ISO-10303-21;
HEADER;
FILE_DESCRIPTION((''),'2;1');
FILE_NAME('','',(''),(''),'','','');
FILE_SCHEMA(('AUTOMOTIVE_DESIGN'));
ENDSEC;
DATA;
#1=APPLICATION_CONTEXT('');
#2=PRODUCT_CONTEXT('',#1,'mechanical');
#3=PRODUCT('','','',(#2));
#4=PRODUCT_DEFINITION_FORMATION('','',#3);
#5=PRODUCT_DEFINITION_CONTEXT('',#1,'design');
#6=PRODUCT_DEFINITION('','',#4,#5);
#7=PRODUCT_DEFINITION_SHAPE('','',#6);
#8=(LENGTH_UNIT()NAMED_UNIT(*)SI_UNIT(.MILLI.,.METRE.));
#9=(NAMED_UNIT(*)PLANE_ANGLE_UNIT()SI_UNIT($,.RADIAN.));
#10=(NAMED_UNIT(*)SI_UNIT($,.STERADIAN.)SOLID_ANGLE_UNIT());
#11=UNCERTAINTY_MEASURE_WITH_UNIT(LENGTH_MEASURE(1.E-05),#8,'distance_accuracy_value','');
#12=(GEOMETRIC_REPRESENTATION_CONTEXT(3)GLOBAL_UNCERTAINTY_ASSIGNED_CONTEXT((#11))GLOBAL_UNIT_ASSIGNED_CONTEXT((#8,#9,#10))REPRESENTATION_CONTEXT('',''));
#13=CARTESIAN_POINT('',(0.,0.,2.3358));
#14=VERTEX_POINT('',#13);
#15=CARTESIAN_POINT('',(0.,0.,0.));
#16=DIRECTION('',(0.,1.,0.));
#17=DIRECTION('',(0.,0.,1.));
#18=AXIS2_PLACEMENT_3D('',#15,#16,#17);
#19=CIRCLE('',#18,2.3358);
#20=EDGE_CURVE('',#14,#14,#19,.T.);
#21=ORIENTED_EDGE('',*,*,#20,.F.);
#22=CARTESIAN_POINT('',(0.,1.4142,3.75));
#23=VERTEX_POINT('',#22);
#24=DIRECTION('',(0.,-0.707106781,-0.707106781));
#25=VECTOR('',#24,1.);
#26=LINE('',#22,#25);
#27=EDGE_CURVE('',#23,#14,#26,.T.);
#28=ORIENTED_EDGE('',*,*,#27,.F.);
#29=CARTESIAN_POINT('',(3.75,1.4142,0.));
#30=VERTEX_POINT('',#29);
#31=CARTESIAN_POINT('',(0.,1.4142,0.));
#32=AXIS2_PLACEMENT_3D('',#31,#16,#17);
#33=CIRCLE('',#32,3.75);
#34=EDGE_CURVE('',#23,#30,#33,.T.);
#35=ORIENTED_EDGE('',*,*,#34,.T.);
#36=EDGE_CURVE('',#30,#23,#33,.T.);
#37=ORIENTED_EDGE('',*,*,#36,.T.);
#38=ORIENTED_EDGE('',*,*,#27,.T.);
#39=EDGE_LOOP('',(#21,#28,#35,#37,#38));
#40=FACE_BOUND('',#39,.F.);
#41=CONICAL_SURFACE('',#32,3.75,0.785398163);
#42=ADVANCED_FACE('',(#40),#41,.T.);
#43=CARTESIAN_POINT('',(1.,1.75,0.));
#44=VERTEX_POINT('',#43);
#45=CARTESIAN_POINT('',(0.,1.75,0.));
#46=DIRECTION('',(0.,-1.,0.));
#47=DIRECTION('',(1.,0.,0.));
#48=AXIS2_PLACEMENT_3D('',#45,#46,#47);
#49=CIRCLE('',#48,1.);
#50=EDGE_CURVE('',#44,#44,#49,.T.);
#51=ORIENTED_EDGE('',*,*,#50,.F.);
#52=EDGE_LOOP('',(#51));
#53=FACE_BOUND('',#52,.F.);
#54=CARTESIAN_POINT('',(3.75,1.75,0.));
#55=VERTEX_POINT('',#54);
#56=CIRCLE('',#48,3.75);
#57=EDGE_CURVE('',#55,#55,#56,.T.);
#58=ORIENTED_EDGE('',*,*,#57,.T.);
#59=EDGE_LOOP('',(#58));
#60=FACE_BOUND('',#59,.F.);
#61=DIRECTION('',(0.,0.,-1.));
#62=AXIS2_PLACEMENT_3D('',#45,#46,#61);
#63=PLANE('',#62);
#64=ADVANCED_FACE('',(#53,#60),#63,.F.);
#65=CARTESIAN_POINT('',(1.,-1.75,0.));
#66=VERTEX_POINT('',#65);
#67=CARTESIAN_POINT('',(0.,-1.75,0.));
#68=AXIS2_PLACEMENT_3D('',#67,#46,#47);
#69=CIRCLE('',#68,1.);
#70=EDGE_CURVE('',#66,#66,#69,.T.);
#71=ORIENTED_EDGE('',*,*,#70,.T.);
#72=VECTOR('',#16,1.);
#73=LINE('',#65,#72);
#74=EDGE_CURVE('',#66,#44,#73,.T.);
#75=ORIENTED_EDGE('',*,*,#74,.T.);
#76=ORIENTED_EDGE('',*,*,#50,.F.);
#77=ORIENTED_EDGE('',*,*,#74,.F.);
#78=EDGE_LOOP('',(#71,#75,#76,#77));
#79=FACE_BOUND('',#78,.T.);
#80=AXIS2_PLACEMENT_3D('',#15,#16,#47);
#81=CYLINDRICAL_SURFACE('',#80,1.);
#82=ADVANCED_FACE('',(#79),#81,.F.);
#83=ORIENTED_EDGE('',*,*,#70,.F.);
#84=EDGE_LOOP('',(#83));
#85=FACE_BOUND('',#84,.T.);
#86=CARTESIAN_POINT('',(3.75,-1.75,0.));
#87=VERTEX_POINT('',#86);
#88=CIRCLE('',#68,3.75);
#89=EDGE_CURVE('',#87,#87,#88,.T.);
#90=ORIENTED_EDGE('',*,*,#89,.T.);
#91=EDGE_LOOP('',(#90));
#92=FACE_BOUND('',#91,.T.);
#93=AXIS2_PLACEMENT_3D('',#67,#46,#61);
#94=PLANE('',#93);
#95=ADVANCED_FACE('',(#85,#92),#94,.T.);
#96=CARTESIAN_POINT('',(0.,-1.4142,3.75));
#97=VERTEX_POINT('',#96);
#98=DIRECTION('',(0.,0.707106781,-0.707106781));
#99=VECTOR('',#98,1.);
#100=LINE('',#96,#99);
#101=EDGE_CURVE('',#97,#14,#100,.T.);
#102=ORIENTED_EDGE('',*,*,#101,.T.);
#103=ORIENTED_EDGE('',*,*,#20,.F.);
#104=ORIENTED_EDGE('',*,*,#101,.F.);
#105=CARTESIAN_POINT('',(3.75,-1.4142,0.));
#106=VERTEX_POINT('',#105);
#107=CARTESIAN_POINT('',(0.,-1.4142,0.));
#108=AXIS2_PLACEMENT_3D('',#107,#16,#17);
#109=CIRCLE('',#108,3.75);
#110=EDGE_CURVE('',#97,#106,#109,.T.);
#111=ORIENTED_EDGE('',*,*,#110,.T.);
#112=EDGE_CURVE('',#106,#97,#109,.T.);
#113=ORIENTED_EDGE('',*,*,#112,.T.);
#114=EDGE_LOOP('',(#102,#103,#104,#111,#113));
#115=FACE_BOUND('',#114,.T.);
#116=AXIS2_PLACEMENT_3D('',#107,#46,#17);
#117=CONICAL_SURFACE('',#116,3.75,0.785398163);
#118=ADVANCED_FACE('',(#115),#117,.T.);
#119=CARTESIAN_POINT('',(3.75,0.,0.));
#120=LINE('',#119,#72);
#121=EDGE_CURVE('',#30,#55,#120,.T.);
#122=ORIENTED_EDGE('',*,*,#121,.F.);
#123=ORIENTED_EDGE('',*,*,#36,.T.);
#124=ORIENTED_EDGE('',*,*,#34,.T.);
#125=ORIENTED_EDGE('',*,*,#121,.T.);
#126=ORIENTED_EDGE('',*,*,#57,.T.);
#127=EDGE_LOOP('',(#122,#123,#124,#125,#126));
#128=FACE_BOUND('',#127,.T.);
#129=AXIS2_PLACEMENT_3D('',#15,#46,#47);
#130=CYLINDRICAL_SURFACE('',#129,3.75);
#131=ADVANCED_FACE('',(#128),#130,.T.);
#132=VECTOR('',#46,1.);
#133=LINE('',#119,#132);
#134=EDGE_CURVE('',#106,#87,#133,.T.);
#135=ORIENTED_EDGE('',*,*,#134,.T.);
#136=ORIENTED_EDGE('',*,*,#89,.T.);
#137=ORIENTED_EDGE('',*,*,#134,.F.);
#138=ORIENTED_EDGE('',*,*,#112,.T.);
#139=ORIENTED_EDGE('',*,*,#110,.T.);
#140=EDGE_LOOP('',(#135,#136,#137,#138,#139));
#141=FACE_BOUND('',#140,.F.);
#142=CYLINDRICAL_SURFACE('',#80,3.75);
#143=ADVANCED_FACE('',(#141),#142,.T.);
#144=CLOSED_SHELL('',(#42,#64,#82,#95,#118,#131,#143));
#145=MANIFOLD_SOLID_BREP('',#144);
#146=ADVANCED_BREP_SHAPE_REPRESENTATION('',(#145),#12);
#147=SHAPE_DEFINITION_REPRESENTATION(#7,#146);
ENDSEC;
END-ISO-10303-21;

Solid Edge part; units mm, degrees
sketch "Sketch1" plane through (0, 0, 0) normal (0, -1, 0) x (1, 0, 0)
  circle A0 centre (0, 0) radius 1
  circle A1 centre (0, 0) radius 3.75
extrude "Protrusion1" add sketch "Sketch1" along normal mid plane 3.5
sketch "Sketch2" plane through (0, 0, 0) normal (-1, 0, 0) x (0, -1, 0)
  line L0 (0, 3.75) -> (-1.4142, 3.75)
  line L1 (-1.4142, 3.75) -> (0, 2.3358)
  line L2 (1.4142, 3.75) -> (0, 2.3358)
  line L3 (0, 3.75) -> (1.4142, 3.75)
revolve "RevolvedCutout1" cut sketch "Sketch2" angle 360 about axis through (0, 0, 0) along (0, 1, 0)
properties material "(None)"
